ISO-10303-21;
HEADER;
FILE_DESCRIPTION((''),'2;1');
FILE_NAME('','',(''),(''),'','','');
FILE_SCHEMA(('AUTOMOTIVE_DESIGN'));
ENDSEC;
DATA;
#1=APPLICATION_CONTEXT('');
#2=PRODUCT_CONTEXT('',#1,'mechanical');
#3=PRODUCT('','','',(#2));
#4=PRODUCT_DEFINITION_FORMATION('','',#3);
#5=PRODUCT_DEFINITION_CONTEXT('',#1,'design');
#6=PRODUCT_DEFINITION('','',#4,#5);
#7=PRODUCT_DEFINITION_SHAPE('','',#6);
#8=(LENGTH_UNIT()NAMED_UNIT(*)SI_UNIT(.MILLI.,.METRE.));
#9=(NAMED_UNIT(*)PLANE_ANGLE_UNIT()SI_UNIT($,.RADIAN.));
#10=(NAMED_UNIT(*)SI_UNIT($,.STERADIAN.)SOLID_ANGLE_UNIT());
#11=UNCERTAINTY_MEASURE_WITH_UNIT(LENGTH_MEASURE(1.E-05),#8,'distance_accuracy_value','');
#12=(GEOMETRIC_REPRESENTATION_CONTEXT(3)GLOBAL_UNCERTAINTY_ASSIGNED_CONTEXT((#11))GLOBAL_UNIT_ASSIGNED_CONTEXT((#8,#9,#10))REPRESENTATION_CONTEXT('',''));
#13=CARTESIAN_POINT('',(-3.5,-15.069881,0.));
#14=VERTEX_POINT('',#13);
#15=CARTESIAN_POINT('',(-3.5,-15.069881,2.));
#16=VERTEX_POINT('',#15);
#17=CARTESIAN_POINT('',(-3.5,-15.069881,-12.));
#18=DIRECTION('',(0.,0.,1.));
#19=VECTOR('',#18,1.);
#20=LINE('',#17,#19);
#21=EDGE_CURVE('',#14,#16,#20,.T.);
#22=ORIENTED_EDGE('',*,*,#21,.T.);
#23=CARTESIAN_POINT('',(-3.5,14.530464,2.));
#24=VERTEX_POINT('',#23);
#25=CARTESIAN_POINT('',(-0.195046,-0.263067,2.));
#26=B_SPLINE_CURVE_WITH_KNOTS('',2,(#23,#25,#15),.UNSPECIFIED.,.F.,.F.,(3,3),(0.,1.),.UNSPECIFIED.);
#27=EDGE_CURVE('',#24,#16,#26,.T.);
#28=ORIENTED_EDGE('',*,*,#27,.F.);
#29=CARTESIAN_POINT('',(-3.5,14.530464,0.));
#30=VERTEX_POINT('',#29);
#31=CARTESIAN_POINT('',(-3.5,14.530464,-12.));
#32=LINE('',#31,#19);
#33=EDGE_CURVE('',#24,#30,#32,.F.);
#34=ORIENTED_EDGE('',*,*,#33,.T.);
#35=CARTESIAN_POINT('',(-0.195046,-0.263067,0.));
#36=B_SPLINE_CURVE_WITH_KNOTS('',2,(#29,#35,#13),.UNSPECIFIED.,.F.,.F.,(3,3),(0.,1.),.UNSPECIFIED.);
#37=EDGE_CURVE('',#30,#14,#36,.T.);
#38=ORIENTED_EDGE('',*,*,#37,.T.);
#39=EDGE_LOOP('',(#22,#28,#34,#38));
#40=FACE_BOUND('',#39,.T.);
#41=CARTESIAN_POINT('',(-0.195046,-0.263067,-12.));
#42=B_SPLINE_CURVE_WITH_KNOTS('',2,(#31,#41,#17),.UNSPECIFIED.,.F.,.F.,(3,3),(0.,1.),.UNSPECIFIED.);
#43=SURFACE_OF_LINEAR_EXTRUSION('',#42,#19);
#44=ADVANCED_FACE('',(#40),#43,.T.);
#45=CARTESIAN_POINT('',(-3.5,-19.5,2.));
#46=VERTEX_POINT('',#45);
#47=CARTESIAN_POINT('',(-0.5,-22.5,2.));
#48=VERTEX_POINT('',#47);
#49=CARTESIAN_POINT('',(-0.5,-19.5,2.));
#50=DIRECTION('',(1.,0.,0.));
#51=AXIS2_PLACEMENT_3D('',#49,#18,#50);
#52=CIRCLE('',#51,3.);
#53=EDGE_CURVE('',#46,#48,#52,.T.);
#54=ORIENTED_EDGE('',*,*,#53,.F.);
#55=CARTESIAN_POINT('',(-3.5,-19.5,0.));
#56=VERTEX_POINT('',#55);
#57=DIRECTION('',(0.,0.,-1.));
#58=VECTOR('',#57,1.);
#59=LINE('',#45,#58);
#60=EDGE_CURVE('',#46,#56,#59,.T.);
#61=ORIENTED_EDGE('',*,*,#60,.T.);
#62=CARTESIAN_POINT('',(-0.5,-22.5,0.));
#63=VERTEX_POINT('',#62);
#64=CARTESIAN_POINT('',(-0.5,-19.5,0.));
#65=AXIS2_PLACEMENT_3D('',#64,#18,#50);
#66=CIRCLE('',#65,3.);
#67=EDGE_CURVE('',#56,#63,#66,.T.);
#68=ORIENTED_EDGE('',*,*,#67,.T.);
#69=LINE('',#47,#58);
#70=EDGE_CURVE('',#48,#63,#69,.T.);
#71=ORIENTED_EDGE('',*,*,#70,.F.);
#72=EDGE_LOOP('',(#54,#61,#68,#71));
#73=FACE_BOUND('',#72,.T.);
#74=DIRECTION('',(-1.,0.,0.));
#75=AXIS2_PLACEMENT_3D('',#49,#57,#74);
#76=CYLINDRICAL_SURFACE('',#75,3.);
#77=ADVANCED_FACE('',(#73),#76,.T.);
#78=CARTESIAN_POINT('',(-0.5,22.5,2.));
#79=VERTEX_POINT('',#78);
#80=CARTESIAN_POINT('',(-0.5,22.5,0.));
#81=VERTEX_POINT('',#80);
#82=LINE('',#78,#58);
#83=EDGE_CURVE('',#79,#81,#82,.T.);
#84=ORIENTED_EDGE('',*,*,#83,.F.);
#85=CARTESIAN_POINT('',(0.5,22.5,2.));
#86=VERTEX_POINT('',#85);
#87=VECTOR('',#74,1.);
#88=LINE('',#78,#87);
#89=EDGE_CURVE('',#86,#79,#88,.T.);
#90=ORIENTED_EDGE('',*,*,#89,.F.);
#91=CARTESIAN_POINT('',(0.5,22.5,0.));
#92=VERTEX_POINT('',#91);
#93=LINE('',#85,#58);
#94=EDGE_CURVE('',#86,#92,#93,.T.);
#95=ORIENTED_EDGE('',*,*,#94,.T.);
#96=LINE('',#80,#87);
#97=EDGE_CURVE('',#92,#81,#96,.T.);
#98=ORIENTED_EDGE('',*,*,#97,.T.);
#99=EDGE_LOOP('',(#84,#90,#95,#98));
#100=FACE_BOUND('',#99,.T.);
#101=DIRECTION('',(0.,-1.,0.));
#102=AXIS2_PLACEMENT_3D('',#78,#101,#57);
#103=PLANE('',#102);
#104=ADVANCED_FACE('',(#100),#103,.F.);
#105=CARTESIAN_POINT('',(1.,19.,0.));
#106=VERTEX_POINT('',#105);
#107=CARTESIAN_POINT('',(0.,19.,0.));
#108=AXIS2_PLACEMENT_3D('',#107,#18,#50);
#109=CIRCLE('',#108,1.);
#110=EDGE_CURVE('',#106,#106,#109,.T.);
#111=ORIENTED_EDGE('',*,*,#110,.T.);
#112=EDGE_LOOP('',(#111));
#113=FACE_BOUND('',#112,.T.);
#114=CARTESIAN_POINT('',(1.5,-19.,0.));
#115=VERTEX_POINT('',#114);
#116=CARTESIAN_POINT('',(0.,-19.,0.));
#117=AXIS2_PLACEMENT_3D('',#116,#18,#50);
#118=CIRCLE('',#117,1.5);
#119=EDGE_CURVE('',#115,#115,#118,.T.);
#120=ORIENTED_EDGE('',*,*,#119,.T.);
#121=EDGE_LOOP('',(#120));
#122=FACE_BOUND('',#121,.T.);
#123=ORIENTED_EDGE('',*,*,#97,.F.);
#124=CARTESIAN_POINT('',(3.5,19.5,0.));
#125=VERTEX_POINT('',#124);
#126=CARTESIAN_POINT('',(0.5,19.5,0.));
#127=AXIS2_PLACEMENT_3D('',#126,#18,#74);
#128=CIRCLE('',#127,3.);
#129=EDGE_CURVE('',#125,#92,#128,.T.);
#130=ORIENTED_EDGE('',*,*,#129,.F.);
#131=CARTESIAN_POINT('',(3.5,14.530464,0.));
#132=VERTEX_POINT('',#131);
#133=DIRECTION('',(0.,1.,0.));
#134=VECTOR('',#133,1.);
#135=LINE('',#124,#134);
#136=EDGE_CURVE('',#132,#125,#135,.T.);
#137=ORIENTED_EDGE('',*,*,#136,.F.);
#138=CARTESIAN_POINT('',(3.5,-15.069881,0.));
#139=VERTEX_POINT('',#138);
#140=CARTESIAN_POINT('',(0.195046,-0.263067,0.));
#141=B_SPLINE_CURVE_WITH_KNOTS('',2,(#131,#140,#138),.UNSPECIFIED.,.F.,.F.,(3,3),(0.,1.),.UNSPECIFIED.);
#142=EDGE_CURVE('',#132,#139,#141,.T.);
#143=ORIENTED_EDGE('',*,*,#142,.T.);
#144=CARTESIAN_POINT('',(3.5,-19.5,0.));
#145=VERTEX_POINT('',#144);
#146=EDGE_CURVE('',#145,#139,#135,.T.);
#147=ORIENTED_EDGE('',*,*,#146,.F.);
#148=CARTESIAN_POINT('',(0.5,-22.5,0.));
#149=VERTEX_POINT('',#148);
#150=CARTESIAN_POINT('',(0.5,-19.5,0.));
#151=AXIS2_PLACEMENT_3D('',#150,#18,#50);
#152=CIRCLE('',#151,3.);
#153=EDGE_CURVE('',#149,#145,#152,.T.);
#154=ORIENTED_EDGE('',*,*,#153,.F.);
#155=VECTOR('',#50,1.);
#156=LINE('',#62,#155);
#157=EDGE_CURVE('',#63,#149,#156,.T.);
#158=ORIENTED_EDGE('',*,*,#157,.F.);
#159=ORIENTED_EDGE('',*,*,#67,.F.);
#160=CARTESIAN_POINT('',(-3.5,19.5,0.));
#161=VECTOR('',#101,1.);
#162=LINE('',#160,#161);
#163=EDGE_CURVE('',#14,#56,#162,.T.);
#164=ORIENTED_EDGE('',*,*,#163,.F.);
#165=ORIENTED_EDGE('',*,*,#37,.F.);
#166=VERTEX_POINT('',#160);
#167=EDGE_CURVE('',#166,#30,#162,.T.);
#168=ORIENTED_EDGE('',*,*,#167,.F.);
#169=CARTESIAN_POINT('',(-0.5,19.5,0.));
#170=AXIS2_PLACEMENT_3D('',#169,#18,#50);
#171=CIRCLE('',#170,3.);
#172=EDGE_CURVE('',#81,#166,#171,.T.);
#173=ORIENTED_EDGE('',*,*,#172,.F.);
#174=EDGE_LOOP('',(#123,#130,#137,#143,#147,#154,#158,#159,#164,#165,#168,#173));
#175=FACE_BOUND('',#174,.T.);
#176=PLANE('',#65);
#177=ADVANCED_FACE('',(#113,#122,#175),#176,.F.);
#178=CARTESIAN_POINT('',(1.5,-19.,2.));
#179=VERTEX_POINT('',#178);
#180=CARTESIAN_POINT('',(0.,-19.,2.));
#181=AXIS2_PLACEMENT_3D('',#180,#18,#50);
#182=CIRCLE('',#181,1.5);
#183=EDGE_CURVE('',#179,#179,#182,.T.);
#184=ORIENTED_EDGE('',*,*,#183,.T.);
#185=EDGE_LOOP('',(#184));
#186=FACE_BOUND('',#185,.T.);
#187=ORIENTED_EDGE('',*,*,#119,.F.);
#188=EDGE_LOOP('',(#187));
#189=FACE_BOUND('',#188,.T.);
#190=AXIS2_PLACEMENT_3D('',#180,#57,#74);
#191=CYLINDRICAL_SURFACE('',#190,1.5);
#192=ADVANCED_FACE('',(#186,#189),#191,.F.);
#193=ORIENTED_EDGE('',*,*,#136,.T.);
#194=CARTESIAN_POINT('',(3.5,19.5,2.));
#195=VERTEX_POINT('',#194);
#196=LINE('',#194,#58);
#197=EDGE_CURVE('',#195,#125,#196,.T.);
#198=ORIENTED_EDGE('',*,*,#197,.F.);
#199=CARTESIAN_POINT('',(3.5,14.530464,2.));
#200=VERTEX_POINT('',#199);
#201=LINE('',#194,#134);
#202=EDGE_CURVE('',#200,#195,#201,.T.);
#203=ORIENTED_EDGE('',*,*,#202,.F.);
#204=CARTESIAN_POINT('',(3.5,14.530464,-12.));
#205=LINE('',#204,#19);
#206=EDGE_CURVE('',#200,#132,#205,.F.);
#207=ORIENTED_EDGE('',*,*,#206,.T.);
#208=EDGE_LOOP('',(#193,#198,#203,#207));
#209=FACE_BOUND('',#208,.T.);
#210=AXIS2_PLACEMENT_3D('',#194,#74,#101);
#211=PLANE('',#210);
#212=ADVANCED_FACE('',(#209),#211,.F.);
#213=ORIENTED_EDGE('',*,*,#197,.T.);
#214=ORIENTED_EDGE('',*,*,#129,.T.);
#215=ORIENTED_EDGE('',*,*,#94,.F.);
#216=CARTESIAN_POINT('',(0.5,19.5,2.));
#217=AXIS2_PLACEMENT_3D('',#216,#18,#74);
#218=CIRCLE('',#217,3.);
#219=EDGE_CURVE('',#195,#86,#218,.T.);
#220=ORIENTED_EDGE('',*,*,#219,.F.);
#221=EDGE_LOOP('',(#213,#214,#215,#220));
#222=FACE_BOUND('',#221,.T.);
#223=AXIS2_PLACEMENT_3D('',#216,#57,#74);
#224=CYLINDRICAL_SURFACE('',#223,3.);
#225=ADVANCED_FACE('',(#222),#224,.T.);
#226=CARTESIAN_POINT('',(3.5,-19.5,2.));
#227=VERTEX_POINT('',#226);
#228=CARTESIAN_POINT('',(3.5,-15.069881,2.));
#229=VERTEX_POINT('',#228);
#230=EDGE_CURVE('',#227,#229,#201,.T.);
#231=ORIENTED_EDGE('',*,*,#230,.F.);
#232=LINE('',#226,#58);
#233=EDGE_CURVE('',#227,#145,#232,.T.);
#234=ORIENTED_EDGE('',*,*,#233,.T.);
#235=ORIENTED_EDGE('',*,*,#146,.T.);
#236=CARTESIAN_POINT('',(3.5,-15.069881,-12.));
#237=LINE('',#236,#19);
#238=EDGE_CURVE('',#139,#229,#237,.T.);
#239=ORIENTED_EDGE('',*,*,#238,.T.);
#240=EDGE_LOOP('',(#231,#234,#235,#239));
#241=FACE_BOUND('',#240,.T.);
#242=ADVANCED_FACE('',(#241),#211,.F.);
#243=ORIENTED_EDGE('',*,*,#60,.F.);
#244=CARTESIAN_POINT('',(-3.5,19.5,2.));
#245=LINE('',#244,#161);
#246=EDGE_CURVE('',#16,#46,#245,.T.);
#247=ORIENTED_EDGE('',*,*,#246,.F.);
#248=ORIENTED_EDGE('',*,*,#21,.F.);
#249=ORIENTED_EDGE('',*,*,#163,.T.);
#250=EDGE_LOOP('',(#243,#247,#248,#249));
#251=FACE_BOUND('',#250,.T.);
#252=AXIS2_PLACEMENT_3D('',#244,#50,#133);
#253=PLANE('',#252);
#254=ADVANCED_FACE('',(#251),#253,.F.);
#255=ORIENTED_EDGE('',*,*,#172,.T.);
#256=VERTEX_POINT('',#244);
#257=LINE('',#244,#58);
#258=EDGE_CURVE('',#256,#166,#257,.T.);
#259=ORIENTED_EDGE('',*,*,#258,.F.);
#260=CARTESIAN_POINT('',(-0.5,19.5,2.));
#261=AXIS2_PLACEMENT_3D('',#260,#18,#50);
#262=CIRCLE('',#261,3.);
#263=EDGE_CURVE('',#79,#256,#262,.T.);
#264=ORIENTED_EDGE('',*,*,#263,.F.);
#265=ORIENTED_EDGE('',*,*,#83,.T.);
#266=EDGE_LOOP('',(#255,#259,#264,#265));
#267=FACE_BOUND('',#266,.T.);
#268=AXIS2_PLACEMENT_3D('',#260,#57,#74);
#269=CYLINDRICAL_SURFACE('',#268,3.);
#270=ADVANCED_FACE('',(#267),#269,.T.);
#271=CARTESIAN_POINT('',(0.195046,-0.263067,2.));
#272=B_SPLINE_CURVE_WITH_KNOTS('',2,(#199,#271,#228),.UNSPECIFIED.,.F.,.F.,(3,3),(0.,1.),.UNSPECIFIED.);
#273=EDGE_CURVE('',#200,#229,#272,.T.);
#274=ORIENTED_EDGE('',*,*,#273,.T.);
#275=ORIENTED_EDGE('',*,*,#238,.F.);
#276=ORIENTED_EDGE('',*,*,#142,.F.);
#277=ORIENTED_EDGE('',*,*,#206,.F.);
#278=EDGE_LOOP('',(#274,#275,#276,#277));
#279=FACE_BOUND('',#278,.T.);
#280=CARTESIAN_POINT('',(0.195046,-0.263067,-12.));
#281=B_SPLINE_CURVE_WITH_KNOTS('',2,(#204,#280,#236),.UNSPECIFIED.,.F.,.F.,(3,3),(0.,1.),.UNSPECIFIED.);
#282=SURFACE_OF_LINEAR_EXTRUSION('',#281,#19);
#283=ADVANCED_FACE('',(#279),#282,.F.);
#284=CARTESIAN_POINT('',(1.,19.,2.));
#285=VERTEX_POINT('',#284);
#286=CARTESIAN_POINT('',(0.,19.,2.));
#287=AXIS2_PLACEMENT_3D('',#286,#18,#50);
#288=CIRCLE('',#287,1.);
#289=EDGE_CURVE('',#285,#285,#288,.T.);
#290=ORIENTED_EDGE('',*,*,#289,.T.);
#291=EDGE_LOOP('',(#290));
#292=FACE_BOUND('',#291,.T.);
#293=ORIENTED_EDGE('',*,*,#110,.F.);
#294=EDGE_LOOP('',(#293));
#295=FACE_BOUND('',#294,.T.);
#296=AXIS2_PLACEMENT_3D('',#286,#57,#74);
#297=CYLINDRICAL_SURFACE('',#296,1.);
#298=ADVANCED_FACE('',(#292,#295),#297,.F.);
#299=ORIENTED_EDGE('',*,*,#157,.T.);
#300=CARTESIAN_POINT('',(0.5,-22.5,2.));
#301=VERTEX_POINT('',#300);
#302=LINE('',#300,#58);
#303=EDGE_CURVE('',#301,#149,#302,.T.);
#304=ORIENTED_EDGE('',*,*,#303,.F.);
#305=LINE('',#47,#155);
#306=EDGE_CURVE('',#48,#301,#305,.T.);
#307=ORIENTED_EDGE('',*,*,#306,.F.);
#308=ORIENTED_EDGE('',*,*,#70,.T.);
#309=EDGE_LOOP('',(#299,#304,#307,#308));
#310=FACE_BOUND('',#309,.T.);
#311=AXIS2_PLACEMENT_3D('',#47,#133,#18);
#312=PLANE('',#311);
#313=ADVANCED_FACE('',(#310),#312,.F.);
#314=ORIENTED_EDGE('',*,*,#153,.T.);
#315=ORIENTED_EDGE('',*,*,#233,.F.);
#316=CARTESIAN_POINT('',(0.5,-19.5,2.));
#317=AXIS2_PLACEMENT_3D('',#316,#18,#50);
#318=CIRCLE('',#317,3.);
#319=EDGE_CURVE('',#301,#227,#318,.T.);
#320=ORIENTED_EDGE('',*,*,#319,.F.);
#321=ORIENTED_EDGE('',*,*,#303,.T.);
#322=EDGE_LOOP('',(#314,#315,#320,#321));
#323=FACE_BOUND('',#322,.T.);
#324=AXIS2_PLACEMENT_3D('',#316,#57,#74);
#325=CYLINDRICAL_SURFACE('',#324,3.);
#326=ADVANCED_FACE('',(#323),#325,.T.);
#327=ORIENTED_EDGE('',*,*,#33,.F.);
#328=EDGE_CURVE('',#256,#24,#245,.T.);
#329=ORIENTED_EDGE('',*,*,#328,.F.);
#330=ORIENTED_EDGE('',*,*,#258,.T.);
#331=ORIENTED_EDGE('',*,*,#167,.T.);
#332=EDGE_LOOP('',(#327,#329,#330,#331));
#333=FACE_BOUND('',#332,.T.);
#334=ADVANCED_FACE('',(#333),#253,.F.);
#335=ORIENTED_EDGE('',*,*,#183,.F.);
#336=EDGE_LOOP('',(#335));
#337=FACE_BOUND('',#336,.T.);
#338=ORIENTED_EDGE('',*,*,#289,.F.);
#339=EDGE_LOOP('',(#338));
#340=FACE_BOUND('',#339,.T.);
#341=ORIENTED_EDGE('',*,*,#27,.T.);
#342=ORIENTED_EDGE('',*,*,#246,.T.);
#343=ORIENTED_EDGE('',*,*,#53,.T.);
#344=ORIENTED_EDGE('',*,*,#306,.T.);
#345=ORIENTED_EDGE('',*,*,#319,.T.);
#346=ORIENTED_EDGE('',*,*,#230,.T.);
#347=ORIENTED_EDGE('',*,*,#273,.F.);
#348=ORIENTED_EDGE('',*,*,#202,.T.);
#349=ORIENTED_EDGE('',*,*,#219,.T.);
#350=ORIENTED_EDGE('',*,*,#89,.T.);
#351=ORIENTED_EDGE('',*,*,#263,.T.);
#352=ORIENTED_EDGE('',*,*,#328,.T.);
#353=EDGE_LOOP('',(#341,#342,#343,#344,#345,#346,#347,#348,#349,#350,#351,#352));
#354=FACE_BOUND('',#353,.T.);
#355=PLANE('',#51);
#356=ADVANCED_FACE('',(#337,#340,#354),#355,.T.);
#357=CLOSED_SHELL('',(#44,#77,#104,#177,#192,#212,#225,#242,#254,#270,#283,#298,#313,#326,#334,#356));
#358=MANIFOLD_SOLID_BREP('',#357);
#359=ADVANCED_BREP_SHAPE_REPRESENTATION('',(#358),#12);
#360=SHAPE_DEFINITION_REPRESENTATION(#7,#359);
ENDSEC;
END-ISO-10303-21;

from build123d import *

# Parameters (mm, degrees)
SKETCH1_R           = 1
SKETCH1_R_2         = 1.5
BOSS_EXTRUDE1_DEPTH = 2
CUT_EXTRUDE1_DEPTH  = 14


with BuildPart() as part:
    # Sketch1 → Boss-Extrude1 (new body)
    with BuildSketch(Plane.XY):
        with BuildLine():
            Line((-0.5, 22.5), (0.5, 22.5))
            ThreePointArc((0.5, 22.5), (2.621320344, 21.621320344), (3.5, 19.5))
            Line((3.5, 19.5), (3.5, -19.5))
            ThreePointArc((3.5, -19.5), (2.621320344, -21.621320344), (0.5, -22.5))
            Line((0.5, -22.5), (-0.5, -22.5))
            ThreePointArc((-0.5, -22.5), (-2.621320344, -21.621320344), (-3.5, -19.5))
            Line((-3.5, -19.5), (-3.5, 19.5))
            ThreePointArc((-3.5, 19.5), (-2.621320344, 21.621320344), (-0.5, 22.5))
        make_face()
        with Locations((0, 19)):
            Circle(SKETCH1_R, mode=Mode.SUBTRACT)
        with Locations((0, -19)):
            Circle(SKETCH1_R_2, mode=Mode.SUBTRACT)
    extrude(amount=BOSS_EXTRUDE1_DEPTH)

    # Sketch2 → Cut-Extrude1 (cut)
    with BuildSketch(Plane.XY.offset(2)):
        with BuildLine():
            Line((-3.5, 14.530463873), (-3.5, -15.069881222))
            add(Edge.make_bspline(
                [(-3.5, 14.530463873), (-0.195046467, -0.263066887), (-3.5, -15.069881222)],
                knots=[0, 0, 0, 1, 1, 1], degree=2))
        make_face()
        with BuildLine():
            add(Edge.make_bspline(
                [(3.5, 14.530463873), (0.195046467, -0.263066887), (3.5, -15.069881222)],
                knots=[0, 0, 0, 1, 1, 1], degree=2))
            Line((3.5, -15.069881222), (3.5, 14.530463873))
        make_face()
    extrude(amount=-CUT_EXTRUDE1_DEPTH, mode=Mode.SUBTRACT)


solid = part.part
